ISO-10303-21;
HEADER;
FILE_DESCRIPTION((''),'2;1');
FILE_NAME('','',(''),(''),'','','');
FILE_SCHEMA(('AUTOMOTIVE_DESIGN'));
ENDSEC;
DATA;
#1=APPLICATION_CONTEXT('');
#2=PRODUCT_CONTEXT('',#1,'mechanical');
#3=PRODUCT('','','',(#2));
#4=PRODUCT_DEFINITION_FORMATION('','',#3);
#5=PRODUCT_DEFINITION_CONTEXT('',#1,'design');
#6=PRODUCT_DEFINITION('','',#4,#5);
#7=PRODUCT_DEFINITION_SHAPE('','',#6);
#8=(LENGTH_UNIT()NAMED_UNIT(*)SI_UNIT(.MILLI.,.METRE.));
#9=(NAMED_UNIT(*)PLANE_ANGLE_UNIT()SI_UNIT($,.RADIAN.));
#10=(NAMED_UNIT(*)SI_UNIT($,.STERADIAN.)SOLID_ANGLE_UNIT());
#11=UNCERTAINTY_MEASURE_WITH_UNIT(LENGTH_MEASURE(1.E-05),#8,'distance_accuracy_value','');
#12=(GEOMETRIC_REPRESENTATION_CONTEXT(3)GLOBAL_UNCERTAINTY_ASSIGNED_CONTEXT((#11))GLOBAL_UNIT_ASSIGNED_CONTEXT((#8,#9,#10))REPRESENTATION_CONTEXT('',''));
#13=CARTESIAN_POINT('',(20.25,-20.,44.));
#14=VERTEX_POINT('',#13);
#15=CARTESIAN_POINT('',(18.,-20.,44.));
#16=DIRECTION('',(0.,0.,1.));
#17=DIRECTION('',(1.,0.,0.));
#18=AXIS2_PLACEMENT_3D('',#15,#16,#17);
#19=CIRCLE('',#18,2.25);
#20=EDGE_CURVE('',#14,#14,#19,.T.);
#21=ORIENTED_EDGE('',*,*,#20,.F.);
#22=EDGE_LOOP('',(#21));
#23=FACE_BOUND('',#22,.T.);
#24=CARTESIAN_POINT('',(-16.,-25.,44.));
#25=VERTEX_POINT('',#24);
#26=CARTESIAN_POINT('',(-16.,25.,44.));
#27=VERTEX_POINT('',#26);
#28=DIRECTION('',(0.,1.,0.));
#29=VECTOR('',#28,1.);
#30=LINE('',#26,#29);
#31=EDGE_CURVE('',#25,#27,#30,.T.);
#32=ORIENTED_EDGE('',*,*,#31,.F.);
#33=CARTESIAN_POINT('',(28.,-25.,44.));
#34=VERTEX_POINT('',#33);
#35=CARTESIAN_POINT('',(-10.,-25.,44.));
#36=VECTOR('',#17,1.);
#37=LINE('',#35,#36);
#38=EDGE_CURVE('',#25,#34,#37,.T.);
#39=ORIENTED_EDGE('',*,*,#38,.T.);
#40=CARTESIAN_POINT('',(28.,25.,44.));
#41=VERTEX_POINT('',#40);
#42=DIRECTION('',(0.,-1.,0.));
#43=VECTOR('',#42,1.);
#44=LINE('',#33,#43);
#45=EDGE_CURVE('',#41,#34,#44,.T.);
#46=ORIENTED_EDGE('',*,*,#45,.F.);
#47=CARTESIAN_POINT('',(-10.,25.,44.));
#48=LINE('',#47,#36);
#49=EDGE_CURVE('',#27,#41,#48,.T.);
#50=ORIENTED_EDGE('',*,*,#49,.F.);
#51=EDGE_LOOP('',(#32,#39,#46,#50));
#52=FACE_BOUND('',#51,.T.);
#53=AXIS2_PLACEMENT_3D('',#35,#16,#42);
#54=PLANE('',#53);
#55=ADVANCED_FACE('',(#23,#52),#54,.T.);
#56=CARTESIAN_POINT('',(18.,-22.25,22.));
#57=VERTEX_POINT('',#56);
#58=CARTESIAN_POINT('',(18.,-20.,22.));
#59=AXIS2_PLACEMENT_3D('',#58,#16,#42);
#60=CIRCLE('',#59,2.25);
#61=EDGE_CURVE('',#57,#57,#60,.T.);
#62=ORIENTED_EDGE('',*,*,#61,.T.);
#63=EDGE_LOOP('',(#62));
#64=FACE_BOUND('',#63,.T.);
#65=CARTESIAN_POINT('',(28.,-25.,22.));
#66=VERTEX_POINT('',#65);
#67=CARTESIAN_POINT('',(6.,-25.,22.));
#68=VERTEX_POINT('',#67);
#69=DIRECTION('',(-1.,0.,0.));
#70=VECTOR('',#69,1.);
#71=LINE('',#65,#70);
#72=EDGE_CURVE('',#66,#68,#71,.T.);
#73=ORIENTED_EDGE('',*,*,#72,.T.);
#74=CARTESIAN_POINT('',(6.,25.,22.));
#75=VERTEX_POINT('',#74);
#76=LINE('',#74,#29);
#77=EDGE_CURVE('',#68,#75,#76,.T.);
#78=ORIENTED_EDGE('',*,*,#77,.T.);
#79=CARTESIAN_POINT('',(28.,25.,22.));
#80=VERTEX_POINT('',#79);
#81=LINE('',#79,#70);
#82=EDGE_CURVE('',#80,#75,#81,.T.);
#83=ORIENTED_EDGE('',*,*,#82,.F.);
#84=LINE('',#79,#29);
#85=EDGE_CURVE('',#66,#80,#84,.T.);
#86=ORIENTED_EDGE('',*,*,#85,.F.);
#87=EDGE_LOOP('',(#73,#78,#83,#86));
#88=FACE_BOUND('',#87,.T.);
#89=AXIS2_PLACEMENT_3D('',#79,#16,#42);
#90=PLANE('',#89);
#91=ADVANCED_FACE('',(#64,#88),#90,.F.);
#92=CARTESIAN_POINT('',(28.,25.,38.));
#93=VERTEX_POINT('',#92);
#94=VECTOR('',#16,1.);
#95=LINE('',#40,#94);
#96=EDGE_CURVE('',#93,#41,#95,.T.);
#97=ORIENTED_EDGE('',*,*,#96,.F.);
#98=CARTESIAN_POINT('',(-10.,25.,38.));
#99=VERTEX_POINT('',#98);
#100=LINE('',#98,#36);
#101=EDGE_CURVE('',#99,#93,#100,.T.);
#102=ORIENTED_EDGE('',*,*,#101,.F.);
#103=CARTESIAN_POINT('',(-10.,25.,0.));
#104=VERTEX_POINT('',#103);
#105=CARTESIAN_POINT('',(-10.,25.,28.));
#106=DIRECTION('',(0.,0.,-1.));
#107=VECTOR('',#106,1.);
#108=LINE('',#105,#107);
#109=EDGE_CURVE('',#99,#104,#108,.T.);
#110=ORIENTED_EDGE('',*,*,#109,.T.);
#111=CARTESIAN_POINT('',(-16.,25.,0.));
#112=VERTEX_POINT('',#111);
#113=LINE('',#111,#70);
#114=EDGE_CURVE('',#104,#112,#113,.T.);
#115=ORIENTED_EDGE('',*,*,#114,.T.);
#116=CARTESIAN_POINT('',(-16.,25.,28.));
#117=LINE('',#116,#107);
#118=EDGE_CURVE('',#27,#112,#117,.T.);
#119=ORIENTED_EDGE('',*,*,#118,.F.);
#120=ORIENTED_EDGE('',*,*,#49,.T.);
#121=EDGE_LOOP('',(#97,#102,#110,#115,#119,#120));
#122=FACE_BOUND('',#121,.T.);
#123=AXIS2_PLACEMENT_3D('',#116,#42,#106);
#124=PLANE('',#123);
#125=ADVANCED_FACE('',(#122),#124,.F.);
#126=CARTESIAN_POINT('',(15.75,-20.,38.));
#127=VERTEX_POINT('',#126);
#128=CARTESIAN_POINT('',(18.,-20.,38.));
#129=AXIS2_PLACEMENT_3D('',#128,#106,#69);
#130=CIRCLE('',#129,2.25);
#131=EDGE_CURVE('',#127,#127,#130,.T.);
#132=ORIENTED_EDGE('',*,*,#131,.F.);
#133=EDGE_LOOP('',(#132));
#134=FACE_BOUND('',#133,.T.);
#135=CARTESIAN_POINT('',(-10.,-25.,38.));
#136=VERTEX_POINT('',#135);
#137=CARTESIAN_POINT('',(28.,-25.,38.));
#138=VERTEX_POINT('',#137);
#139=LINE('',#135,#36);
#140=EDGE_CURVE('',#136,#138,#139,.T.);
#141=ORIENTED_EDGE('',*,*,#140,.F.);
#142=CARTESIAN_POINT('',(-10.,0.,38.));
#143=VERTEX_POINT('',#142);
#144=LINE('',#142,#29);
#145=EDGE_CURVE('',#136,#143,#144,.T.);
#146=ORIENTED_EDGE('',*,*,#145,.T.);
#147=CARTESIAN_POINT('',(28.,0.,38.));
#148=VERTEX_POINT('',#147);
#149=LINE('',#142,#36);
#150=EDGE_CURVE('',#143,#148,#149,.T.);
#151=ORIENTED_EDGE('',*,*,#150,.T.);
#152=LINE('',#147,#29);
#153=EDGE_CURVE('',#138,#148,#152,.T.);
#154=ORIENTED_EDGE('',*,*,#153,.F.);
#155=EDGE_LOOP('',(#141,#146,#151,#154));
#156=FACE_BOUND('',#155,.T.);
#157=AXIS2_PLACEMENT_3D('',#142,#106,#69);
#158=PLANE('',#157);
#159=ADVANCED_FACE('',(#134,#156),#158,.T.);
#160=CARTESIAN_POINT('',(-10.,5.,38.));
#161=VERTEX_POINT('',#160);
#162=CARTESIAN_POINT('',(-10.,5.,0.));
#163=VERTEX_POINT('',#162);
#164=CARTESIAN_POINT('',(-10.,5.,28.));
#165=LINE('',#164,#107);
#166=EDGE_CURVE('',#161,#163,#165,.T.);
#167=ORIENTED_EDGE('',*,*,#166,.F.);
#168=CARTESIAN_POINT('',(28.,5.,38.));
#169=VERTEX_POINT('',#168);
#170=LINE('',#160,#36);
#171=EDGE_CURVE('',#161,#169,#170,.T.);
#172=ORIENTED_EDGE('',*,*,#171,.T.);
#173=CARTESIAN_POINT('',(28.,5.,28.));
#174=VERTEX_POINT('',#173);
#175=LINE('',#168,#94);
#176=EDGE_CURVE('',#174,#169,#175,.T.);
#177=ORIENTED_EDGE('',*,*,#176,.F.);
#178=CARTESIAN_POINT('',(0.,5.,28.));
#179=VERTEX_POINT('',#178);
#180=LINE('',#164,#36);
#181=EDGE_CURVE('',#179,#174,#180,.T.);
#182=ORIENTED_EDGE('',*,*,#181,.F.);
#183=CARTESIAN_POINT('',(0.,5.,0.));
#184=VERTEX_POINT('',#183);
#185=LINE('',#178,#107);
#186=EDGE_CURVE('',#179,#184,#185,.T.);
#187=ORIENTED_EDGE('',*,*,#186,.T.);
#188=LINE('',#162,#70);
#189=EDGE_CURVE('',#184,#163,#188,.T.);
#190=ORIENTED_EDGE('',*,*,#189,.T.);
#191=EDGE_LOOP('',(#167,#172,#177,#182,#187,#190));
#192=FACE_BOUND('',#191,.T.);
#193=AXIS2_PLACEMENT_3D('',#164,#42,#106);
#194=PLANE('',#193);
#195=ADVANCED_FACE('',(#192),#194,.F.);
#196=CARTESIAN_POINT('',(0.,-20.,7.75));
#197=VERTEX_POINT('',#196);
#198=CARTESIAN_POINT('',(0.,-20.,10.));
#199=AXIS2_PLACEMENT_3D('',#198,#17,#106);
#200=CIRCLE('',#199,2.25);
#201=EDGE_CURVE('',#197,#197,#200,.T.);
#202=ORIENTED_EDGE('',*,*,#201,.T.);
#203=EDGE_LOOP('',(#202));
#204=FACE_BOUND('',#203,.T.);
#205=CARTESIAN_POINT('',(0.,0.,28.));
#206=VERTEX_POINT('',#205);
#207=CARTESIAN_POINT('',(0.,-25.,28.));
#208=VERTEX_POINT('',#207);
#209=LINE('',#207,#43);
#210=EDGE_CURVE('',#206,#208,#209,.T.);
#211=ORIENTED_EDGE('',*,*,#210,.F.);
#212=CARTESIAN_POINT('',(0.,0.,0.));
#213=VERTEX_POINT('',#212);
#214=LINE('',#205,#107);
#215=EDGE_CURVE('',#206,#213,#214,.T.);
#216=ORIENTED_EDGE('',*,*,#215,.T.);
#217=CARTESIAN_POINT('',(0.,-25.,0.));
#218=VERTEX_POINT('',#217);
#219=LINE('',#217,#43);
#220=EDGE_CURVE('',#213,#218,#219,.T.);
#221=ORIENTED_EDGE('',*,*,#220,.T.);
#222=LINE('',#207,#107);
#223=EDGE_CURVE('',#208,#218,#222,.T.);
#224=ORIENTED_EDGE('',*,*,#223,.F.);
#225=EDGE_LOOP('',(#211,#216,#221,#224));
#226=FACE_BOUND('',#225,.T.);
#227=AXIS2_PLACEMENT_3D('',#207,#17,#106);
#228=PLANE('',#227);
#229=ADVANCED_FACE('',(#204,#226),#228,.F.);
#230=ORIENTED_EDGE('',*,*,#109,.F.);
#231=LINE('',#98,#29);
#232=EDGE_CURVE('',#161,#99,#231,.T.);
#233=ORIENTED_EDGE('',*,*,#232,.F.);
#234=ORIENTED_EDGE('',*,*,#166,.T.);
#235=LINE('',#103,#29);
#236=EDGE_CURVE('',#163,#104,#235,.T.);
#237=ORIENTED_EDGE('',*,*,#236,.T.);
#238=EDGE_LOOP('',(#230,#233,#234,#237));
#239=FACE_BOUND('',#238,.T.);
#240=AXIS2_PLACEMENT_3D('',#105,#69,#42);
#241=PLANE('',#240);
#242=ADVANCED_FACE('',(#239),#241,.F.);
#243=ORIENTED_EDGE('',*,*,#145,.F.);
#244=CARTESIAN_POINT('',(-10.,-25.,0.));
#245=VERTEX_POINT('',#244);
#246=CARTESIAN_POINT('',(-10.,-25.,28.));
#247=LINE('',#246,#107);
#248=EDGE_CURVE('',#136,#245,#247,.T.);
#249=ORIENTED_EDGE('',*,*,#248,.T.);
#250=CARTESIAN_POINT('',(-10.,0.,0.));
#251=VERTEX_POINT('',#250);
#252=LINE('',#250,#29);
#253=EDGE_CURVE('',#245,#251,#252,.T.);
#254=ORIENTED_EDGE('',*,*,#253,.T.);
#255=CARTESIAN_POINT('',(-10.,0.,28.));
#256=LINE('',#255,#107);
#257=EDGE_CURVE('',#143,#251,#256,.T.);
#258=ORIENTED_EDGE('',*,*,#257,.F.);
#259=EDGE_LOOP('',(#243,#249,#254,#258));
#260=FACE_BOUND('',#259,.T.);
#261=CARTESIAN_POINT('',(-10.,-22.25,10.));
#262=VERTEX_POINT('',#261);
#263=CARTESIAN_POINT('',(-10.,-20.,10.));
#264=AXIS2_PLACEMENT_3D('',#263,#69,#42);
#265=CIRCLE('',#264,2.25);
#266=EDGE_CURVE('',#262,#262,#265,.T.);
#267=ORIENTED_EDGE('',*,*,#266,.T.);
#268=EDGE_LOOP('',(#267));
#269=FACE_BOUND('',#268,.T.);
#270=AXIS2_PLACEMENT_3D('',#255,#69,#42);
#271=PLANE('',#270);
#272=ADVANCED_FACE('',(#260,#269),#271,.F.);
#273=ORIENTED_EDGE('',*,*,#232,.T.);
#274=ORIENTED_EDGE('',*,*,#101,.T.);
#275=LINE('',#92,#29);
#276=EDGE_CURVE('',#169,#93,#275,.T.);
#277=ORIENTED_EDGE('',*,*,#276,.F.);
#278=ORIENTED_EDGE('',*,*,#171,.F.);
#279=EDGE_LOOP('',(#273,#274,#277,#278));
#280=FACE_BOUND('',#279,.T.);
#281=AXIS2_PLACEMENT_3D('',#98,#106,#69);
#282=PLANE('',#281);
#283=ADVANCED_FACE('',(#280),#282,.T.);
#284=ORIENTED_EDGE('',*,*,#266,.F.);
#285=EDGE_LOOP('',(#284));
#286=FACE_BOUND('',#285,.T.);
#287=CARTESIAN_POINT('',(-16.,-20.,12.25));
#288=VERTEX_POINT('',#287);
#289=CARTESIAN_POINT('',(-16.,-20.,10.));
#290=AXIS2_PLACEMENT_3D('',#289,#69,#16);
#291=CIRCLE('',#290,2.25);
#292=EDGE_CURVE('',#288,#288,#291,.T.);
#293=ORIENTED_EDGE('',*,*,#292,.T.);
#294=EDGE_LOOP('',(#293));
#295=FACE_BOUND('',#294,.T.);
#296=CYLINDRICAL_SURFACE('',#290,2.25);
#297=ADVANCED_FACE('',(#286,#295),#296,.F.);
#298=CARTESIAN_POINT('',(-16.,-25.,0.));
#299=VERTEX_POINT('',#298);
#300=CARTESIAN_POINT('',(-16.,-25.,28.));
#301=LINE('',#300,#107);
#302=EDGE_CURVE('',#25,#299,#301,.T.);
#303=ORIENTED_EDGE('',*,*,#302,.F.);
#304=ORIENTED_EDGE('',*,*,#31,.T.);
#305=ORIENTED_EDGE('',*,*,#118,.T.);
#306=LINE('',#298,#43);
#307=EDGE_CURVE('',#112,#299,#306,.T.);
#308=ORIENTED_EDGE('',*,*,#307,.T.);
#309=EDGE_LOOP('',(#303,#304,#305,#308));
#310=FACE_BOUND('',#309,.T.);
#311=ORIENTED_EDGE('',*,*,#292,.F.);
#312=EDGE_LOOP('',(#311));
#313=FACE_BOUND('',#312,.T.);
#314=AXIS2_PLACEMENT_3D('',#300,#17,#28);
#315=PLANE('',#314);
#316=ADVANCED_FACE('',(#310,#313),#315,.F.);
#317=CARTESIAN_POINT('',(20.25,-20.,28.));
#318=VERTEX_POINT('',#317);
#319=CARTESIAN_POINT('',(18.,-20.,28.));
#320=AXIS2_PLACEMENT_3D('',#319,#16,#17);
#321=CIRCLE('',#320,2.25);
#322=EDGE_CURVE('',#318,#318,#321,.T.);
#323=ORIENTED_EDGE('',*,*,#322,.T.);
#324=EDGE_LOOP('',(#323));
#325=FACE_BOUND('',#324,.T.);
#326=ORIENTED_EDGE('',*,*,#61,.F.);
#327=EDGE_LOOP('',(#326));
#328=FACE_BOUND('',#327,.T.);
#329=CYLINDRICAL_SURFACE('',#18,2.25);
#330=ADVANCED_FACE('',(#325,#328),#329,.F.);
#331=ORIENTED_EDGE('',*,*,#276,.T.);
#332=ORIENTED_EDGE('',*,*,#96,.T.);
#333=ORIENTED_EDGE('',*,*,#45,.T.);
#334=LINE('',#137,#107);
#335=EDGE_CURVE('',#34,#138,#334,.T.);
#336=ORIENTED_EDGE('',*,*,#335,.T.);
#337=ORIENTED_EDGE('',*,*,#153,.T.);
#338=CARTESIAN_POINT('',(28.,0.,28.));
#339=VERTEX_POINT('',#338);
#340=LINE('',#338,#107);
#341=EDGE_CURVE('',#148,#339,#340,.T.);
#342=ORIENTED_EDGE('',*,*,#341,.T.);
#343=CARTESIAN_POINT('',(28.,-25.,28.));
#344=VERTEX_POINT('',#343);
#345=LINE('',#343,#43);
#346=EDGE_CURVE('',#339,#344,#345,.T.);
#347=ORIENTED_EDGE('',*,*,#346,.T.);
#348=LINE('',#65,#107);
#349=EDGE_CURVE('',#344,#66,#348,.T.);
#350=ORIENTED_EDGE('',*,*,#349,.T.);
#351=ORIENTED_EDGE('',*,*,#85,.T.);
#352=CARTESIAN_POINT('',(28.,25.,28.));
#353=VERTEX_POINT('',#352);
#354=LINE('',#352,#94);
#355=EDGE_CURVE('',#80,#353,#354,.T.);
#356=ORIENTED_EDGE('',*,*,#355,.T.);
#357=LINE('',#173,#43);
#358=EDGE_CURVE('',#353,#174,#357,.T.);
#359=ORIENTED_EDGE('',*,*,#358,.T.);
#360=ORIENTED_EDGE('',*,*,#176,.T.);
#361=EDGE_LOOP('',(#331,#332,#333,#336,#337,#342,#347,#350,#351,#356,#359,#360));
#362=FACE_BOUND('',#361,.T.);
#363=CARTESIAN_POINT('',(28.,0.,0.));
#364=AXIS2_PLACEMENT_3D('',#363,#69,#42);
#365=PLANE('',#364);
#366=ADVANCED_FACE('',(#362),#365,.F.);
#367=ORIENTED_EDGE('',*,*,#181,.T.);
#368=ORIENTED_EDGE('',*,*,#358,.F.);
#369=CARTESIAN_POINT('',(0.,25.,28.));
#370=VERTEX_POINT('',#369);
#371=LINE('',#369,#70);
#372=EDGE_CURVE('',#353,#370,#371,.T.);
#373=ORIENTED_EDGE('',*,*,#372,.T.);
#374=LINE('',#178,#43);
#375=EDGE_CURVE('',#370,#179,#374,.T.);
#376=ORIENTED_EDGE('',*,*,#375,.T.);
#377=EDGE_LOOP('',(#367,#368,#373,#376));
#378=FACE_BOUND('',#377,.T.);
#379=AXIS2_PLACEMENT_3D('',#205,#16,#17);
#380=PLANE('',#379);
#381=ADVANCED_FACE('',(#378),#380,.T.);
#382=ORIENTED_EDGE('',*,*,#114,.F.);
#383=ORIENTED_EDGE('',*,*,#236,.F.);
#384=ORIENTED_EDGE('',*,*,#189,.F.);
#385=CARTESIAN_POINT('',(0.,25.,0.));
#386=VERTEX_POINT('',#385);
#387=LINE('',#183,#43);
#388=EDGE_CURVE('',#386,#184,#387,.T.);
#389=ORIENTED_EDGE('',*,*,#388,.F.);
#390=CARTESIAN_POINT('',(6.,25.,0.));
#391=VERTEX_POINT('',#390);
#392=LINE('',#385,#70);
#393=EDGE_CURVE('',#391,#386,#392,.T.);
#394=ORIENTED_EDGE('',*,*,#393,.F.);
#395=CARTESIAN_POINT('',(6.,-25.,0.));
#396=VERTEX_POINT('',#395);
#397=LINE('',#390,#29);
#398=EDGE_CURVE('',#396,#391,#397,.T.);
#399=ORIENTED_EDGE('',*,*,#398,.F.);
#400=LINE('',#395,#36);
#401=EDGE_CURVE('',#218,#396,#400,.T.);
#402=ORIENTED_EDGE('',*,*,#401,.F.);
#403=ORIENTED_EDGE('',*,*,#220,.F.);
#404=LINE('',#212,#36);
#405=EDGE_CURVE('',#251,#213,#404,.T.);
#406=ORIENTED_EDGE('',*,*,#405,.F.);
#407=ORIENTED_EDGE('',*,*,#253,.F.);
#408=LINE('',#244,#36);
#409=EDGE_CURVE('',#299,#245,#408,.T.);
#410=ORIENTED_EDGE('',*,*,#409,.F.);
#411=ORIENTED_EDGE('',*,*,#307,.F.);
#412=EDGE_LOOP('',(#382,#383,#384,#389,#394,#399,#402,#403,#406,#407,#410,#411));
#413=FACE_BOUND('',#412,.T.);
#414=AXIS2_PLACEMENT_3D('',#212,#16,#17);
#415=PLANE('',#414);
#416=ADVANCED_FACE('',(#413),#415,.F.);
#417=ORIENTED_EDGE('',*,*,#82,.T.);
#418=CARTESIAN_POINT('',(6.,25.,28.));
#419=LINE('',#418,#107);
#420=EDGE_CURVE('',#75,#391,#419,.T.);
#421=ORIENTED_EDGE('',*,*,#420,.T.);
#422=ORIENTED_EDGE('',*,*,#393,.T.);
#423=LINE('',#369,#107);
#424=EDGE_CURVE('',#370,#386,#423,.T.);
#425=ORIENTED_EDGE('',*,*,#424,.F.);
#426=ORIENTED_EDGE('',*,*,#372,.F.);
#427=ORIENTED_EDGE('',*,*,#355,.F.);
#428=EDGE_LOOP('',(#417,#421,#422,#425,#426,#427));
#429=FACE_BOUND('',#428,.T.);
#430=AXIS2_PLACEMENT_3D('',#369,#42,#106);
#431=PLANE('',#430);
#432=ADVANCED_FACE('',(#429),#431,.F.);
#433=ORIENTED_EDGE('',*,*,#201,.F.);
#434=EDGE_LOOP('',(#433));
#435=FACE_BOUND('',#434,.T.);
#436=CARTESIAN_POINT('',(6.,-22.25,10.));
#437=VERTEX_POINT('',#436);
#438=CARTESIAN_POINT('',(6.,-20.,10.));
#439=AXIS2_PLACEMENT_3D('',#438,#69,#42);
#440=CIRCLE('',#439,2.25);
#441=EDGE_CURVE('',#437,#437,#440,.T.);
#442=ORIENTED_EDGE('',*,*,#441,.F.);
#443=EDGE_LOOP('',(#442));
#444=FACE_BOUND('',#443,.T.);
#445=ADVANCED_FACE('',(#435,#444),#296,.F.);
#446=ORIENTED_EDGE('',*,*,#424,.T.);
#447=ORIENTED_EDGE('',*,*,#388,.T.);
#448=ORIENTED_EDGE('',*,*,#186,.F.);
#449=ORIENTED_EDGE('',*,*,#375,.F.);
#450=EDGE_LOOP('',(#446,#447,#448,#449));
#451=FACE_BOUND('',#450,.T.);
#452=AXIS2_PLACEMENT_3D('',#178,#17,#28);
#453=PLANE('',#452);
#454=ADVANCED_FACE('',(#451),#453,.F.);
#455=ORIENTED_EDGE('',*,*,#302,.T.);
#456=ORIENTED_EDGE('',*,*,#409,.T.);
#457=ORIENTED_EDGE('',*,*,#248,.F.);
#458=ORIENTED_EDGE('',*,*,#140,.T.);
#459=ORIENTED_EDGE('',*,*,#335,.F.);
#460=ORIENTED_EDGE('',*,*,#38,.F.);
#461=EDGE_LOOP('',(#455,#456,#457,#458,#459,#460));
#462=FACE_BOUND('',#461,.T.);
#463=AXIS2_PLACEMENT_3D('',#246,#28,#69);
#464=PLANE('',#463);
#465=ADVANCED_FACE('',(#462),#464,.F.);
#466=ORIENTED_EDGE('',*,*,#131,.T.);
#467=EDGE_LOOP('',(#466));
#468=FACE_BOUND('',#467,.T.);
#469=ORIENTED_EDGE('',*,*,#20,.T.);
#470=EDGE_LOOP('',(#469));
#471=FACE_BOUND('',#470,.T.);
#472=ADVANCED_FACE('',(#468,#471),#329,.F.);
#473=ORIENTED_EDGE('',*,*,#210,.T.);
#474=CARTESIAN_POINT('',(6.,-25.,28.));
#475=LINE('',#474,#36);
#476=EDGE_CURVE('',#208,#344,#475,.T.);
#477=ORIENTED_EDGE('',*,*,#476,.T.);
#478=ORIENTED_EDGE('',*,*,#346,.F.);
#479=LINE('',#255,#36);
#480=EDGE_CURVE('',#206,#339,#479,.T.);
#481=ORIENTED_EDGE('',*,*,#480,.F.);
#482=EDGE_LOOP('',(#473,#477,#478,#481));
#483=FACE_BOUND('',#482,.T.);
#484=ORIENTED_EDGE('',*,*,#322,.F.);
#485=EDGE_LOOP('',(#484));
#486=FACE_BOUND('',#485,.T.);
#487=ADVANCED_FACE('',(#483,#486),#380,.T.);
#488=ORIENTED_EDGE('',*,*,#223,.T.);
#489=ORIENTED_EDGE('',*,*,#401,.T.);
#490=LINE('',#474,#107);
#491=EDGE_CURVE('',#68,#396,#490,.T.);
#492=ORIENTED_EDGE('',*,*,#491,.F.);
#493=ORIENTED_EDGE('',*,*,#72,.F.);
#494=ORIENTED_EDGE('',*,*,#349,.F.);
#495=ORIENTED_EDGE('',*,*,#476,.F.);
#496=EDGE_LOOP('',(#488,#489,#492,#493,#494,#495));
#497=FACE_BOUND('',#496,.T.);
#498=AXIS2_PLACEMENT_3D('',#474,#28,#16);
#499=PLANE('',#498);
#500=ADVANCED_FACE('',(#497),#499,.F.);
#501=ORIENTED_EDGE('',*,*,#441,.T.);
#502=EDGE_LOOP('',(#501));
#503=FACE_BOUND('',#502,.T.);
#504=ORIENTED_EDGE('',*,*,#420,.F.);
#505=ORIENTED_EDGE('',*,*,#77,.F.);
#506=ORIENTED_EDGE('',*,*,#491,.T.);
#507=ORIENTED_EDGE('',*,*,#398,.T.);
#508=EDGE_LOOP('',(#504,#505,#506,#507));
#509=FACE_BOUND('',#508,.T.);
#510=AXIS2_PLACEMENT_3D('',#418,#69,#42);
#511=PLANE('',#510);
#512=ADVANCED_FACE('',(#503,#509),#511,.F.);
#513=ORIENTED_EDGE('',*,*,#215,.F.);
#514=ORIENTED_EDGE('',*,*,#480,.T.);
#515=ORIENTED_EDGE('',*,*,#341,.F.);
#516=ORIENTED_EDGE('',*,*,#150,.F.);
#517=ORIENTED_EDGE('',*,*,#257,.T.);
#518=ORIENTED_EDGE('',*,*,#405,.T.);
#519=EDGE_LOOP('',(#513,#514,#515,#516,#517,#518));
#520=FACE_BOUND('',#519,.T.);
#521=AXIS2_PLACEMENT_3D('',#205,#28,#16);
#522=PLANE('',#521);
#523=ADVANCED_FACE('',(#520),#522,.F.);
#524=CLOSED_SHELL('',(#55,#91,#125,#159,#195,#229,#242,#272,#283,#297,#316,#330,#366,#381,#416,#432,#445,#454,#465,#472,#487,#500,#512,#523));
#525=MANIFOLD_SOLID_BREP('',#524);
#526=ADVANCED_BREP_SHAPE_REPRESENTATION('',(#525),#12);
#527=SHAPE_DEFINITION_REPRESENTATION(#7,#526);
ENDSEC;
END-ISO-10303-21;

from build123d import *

# Parameters (mm, degrees)
ESTRUSIONE_ESTRUSIONE1_DEPTH = 28
ESTRUSIONE_ESTRUSIONE2_DEPTH = 16
SCHIZZO4_W                   = 16
SCHIZZO4_H                   = 50
ESTRUSIONE_ESTRUSIONE3_DEPTH = 6
ESTRUSIONE_ESTRUSIONE4_DEPTH = 22
FORO_PER_VITE_M4_1_D         = 4.5
FORO_PER_VITE_M4_1_DEPTH     = 30
FORO_PER_VITE_M4_1_TIP       = 1.351936393
FORO_PER_VITE_M4_2_D         = 4.5
FORO_PER_VITE_M4_2_DEPTH     = 30
FORO_PER_VITE_M4_2_TIP       = 1.351936393


with BuildPart() as part:
    # Schizzo2 → Estrusione-Estrusione1 (new body)
    with BuildSketch(Plane.XY):
        Polygon((0, 0), (-10, 0), (-10, -25), (-16, -25), (-16, 25), (-10, 25), (-10, 5), (0, 5), (0, 25), (6, 25), (6, -25), (0, -25), align=None)
    extrude(amount=ESTRUSIONE_ESTRUSIONE1_DEPTH)

    # Schizzo3 → Estrusione-Estrusione2 (add)
    with BuildSketch(Plane(origin=(6, 0, 0), x_dir=(0, 0, -1), z_dir=(1, 0, 0))):
        Polygon((-28, 0), (-38, 0), (-38, -25), (-44, -25), (-44, 25), (-38, 25), (-38, 5), (-28, 5), align=None)
    extrude(amount=-ESTRUSIONE_ESTRUSIONE2_DEPTH)

    # Schizzo4 → Estrusione-Estrusione3 (add)
    with BuildSketch(Plane.ZY.offset(10)):
        with Locations((36, 0)):
            Rectangle(SCHIZZO4_W, SCHIZZO4_H)
    extrude(amount=ESTRUSIONE_ESTRUSIONE3_DEPTH)

    # Schizzo5 → Estrusione-Estrusione4 (add)
    with BuildSketch(Plane(origin=(6, 0, 0), x_dir=(0, 0, -1), z_dir=(1, 0, 0))):
        Polygon((-38, -25), (-44, -25), (-44, 25), (-38, 25), (-38, 5), (-28, 5), (-28, 25), (-22, 25), (-22, -25), (-28, -25), (-28, 0), (-38, 0), align=None)
    extrude(amount=ESTRUSIONE_ESTRUSIONE4_DEPTH)

    # Foro per Vite M4-1
    with Locations(Plane.XY.offset(44)):
        with Locations((18, -20)):
            Hole(FORO_PER_VITE_M4_1_D / 2, depth=FORO_PER_VITE_M4_1_DEPTH)
            with Locations((0, 0, -(FORO_PER_VITE_M4_1_DEPTH + FORO_PER_VITE_M4_1_TIP / 2))):  # 118° drill point
                Cone(0, FORO_PER_VITE_M4_1_D / 2, FORO_PER_VITE_M4_1_TIP, mode=Mode.SUBTRACT)

    # Foro per Vite M4-2
    with Locations(Plane.ZY.offset(16)):
        with Locations((10, -20)):
            Hole(FORO_PER_VITE_M4_2_D / 2, depth=FORO_PER_VITE_M4_2_DEPTH)
            with Locations((0, 0, -(FORO_PER_VITE_M4_2_DEPTH + FORO_PER_VITE_M4_2_TIP / 2))):  # 118° drill point
                Cone(0, FORO_PER_VITE_M4_2_D / 2, FORO_PER_VITE_M4_2_TIP, mode=Mode.SUBTRACT)


solid = part.part
